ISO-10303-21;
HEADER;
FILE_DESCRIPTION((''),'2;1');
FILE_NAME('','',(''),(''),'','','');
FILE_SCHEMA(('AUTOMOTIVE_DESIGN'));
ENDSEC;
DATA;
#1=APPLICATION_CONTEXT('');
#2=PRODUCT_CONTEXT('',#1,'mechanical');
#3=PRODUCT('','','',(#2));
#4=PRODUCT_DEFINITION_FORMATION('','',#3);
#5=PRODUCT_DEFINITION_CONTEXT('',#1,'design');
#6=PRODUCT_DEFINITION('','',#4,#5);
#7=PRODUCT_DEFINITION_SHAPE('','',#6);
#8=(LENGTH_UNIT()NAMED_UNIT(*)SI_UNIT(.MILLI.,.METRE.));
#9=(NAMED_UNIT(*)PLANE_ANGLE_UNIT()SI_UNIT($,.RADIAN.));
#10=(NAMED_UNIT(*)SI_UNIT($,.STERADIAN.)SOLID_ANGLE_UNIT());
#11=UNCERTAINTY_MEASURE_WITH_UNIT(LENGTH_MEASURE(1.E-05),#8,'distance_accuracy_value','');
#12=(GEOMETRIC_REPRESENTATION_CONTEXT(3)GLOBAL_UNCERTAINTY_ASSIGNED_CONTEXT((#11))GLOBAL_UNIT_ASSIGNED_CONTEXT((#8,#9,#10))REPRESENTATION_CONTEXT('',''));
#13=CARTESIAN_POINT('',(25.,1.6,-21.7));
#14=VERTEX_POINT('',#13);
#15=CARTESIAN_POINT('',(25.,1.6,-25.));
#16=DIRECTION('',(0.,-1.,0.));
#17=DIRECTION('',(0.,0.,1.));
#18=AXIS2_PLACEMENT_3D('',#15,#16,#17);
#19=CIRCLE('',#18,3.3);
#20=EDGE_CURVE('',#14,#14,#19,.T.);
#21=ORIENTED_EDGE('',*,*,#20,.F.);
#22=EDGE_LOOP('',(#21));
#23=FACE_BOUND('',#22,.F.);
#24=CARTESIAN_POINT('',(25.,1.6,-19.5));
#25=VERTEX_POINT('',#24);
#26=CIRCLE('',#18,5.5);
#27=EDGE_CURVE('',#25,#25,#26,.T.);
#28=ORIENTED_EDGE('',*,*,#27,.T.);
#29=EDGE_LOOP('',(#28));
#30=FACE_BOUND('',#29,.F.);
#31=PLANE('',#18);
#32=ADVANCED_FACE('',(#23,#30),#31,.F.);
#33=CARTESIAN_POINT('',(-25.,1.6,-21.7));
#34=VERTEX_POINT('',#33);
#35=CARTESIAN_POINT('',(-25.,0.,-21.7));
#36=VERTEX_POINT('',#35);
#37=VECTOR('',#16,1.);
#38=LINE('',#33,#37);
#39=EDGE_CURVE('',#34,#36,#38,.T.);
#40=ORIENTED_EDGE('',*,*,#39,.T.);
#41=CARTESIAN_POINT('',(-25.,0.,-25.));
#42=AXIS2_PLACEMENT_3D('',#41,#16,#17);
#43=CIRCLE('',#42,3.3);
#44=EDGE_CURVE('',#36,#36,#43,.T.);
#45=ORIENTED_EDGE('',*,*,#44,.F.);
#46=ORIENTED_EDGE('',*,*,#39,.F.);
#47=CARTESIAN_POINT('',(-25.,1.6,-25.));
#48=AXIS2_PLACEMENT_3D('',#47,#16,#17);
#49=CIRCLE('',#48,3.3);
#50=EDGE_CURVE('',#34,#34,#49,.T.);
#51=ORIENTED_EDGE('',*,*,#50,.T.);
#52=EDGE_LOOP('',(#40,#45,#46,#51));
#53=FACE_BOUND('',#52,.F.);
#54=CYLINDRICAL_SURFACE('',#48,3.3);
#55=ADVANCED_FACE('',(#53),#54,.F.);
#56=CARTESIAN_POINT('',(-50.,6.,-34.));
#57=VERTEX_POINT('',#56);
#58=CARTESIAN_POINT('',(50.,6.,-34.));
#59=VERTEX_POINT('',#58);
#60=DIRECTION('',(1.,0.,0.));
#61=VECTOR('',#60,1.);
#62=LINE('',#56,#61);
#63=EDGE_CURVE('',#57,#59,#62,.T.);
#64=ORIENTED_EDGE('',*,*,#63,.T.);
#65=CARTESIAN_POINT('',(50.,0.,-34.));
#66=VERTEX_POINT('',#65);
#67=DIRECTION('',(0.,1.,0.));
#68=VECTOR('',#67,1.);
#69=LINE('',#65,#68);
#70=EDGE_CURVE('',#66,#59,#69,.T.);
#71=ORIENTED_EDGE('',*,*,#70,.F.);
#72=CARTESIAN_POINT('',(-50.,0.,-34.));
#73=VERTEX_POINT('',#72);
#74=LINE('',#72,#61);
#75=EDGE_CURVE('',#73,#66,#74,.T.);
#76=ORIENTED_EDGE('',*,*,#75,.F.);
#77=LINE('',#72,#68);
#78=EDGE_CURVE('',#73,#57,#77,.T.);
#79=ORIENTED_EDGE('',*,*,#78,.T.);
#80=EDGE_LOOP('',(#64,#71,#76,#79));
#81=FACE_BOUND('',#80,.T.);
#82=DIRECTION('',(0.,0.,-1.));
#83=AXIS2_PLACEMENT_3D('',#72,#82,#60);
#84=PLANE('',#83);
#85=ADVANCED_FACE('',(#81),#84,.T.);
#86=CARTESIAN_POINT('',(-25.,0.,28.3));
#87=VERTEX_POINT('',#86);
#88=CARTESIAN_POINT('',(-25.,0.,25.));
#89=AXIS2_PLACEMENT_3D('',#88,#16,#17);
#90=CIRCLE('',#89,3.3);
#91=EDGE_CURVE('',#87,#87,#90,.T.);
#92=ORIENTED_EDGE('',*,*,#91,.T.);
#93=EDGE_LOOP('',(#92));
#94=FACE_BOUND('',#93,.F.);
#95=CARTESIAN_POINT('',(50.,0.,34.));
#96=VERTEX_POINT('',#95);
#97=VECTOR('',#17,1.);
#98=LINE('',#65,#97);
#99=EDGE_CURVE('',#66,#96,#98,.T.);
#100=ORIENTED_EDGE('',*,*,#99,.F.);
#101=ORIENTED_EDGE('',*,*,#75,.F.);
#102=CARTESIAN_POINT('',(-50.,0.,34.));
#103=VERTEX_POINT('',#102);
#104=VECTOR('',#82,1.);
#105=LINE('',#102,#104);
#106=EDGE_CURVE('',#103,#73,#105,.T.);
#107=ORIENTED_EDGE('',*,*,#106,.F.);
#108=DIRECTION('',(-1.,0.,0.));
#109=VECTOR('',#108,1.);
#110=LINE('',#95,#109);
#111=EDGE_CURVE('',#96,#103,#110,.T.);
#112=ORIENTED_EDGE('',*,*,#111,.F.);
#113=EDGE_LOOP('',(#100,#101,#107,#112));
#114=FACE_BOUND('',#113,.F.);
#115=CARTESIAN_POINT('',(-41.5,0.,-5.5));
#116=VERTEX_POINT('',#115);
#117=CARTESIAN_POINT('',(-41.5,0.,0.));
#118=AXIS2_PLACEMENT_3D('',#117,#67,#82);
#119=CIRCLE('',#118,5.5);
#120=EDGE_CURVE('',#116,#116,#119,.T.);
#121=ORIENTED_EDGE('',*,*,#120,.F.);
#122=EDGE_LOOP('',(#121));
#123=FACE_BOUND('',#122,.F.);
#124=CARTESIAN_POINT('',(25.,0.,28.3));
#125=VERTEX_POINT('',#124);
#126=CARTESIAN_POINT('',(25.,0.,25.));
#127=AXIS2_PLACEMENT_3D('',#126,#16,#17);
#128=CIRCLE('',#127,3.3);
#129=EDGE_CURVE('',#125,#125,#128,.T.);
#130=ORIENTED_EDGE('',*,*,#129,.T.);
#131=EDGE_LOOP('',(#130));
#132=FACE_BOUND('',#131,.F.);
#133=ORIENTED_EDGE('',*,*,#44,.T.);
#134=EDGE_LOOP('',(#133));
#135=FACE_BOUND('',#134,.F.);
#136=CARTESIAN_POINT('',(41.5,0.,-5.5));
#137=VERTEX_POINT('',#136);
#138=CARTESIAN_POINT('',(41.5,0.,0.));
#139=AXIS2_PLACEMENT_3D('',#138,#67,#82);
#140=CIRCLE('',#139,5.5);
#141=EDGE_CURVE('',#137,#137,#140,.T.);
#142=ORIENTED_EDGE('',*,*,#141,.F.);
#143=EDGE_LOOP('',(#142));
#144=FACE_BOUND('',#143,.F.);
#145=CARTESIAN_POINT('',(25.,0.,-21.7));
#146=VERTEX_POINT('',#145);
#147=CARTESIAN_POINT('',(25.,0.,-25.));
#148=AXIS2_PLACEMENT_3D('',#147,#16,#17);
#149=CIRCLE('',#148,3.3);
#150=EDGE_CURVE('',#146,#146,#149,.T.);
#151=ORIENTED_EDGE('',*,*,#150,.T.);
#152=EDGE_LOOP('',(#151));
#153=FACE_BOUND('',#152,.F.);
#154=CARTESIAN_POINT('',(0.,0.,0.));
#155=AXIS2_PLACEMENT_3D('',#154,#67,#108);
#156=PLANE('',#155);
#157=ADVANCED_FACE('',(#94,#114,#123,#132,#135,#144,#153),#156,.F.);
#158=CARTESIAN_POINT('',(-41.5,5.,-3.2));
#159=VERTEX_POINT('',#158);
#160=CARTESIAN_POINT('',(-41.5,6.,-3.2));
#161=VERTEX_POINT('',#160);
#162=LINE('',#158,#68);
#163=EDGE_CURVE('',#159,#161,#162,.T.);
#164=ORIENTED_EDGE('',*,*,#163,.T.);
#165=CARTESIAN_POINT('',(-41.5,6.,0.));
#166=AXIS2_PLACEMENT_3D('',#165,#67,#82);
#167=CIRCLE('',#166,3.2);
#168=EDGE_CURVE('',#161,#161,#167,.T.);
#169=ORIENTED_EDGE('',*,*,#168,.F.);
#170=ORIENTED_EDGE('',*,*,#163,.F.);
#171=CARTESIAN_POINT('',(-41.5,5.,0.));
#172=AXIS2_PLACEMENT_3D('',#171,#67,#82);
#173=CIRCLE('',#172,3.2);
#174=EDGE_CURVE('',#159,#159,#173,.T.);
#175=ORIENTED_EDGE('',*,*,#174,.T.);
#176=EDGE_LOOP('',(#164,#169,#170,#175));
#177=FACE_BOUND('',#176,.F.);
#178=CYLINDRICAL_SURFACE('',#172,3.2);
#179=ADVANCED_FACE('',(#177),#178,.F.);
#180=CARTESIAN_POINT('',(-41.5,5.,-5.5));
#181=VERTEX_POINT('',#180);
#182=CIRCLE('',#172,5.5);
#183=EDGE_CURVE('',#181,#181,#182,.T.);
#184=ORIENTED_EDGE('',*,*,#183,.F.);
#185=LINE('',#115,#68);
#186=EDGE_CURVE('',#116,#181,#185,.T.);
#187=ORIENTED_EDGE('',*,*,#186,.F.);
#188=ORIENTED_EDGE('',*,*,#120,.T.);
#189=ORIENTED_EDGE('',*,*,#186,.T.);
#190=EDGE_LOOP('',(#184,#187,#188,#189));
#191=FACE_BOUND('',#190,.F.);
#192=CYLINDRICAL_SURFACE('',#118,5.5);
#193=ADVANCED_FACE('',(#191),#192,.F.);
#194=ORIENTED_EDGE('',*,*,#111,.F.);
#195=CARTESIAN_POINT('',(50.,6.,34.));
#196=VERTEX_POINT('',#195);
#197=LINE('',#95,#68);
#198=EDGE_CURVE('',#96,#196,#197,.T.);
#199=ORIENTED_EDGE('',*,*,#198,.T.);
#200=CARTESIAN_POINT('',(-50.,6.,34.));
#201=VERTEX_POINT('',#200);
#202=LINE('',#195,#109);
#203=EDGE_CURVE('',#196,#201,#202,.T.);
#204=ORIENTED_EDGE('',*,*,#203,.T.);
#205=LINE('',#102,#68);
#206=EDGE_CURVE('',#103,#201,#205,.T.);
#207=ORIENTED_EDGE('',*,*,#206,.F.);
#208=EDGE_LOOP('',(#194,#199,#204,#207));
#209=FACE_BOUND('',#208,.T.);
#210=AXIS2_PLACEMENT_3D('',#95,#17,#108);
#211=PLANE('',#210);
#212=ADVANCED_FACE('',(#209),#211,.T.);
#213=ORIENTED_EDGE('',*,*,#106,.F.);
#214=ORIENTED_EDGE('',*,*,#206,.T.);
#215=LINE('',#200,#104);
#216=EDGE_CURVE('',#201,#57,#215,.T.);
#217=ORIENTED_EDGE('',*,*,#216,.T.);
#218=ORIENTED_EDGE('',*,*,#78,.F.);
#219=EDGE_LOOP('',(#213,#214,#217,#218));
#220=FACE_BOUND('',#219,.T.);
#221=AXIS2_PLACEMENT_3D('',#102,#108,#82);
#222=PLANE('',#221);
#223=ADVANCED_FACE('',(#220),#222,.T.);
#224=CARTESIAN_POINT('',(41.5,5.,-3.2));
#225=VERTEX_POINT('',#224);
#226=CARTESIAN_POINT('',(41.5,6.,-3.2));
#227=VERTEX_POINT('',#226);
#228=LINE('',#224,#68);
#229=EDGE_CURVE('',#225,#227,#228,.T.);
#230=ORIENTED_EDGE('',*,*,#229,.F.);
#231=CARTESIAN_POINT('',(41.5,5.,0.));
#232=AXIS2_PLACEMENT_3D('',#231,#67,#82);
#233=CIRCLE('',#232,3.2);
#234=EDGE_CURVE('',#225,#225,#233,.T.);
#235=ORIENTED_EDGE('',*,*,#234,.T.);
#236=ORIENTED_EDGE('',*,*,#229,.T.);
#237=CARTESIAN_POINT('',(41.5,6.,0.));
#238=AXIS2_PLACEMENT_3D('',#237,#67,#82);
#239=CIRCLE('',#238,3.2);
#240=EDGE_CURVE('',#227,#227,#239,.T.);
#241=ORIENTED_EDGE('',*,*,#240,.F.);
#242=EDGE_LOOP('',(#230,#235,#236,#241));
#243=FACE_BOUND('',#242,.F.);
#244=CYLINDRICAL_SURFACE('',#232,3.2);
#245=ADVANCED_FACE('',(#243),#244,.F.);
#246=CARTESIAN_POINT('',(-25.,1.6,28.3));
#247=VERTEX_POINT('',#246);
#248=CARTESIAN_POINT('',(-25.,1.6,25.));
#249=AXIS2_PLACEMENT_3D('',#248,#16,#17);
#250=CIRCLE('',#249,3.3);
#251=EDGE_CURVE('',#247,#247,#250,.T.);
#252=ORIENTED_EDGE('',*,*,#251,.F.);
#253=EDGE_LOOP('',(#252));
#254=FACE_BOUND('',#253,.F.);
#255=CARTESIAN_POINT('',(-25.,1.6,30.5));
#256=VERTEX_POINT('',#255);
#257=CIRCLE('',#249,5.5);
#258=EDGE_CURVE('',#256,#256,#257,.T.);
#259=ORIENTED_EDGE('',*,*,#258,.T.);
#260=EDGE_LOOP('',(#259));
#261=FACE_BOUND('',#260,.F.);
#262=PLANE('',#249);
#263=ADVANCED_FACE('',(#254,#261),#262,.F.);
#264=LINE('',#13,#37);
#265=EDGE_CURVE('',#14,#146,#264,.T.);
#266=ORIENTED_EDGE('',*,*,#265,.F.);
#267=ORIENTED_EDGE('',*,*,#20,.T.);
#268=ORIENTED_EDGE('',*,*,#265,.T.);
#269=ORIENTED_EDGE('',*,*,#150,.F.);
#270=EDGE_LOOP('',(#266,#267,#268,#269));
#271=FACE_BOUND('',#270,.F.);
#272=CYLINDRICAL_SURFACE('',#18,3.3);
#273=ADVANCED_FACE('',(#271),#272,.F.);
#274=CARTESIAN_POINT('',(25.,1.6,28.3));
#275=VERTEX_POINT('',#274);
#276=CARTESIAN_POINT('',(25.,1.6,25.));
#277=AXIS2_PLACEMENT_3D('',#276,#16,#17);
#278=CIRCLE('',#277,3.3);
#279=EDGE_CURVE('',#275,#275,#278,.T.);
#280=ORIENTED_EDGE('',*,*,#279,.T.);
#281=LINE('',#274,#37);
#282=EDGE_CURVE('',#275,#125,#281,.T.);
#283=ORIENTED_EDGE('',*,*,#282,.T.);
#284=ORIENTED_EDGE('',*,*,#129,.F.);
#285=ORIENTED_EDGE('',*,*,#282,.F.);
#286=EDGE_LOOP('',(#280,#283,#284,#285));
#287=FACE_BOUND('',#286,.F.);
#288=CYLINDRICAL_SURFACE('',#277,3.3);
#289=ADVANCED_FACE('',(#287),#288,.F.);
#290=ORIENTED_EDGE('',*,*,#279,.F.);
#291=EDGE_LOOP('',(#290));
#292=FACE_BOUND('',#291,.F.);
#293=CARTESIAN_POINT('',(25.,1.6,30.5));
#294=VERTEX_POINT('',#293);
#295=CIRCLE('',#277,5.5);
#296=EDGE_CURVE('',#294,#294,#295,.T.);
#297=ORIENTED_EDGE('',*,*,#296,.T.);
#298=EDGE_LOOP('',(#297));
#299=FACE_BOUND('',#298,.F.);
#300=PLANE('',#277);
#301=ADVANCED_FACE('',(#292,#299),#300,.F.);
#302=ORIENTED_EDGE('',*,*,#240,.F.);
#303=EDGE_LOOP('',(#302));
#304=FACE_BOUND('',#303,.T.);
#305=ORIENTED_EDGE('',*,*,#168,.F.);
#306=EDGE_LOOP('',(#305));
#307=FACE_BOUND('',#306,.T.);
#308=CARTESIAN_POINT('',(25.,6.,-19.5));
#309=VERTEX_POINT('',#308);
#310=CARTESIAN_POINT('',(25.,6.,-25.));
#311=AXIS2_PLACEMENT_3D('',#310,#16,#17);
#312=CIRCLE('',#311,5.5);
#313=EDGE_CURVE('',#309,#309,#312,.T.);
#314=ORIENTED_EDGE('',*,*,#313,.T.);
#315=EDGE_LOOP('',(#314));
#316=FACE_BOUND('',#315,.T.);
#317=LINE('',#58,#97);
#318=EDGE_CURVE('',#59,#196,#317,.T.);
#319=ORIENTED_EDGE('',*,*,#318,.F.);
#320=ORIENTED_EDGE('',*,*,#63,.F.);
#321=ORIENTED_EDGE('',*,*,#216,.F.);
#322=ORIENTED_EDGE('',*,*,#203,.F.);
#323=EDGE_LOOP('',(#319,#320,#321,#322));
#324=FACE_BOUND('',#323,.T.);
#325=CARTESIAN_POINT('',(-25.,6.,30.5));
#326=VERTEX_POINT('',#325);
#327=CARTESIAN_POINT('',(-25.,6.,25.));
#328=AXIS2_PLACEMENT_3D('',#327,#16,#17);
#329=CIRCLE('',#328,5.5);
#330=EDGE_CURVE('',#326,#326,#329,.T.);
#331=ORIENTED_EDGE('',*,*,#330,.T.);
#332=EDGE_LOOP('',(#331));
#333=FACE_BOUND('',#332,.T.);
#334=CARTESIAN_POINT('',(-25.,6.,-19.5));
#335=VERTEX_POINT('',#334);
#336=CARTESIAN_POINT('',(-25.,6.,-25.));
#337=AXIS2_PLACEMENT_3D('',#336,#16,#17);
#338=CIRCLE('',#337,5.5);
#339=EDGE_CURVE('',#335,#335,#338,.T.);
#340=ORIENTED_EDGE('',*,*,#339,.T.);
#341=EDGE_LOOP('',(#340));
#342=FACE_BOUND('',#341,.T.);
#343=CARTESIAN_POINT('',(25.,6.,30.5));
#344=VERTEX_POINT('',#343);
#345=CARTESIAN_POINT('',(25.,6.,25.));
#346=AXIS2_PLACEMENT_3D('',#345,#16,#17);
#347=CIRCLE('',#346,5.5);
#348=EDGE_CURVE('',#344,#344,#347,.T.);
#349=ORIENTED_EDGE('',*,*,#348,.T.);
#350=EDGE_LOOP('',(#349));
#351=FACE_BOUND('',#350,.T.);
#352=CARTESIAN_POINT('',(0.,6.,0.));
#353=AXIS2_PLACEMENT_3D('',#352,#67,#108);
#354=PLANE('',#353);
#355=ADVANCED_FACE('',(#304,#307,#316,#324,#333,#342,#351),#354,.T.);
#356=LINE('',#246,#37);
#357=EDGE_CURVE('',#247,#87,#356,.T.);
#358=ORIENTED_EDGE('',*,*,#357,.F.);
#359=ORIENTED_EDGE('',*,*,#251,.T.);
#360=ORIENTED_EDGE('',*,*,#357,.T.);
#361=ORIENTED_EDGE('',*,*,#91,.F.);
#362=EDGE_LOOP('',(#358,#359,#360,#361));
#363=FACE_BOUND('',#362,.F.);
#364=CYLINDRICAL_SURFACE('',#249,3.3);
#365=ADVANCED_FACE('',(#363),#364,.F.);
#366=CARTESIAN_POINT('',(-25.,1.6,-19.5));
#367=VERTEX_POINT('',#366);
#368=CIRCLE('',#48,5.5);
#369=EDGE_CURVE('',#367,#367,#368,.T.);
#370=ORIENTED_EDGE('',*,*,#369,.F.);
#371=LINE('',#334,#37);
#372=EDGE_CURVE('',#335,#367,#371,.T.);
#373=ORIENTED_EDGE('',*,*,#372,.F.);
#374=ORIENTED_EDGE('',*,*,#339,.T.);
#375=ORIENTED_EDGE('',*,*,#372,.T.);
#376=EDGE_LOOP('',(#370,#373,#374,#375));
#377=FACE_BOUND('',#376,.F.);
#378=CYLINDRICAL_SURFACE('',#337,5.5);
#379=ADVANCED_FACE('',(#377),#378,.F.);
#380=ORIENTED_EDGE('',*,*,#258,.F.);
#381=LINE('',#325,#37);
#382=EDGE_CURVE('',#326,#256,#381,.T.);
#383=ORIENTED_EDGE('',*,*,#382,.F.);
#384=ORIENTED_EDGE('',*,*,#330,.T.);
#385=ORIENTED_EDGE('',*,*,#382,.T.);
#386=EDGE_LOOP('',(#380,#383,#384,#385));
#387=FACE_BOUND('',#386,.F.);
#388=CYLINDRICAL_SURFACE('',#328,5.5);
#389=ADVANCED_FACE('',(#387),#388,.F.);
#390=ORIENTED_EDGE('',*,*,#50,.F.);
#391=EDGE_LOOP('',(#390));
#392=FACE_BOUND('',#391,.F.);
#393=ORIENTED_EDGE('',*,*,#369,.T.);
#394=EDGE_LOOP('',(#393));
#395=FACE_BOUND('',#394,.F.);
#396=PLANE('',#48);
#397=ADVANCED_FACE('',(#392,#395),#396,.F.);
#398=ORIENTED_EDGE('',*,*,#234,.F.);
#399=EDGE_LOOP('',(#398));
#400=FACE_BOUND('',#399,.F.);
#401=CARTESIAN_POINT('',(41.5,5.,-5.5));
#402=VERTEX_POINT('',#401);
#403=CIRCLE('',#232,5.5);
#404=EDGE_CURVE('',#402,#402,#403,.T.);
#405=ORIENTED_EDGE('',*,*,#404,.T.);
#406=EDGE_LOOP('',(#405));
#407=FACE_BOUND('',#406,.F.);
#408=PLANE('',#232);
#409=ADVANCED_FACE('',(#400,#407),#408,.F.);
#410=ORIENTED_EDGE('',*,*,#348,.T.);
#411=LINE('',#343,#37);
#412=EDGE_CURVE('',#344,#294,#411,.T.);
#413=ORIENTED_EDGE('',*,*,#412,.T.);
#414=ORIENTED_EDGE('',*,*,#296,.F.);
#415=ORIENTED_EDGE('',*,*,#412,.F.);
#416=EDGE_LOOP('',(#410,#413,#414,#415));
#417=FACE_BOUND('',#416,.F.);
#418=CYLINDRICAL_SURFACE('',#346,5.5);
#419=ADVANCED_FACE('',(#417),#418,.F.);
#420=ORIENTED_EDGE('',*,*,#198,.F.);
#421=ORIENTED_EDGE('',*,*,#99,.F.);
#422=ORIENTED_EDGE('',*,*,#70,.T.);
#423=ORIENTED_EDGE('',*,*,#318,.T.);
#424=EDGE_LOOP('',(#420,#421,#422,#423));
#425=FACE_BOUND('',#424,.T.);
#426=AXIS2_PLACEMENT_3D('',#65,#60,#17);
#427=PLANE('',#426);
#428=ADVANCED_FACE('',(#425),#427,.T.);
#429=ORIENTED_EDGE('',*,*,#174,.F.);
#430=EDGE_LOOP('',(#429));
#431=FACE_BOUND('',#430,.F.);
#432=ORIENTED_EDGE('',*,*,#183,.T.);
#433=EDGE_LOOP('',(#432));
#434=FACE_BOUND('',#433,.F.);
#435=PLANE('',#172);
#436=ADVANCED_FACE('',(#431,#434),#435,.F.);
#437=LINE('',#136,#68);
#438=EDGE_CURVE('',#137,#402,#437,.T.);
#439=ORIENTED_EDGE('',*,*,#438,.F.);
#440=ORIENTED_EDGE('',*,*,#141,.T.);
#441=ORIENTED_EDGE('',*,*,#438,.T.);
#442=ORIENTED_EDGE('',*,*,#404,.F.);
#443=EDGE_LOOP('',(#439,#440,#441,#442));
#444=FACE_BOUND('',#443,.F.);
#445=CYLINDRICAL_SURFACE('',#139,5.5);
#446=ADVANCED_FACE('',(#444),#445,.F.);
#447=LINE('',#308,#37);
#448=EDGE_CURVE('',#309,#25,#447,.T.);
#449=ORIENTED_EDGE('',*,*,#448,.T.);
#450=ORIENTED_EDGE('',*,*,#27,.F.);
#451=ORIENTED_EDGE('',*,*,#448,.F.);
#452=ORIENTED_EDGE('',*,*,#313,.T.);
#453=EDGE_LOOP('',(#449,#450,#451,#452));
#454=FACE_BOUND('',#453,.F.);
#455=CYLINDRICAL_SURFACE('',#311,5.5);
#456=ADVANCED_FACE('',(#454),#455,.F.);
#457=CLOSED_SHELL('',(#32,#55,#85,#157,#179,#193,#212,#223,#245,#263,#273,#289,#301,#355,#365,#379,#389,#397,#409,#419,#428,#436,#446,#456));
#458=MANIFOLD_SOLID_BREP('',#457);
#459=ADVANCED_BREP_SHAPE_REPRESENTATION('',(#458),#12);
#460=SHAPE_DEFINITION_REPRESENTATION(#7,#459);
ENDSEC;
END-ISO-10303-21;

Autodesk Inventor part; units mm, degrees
ref_plane "YZ Plane" through (0, 0, 0) normal (1, 0, 0) x (0, 1, 0)
ref_plane "XZ Plane" through (0, 0, 0) normal (0, 1, 0) x (-1, 0, 0)
ref_plane "XY Plane" through (0, 0, 0) normal (0, 0, 1) x (1, 0, 0)
sketch "Sketch1" plane through (0, 0, 0) normal (0, 1, 0) x (-1, 0, 0)
  line L0 (-50, 34) -> (50, 34)
  line L1 (50, 34) -> (50, -34)
  line L2 (50, -34) -> (-50, -34)
  line L3 (-50, -34) -> (-50, 34)
  line L4 (-50, 34) -> (50, -34) construction
  line L5 (50, 34) -> (-50, -34) construction
  point P0 (0, 0)
  dimension "d0" = 68
  dimension "d1" = 100
extrude "Extrusion1" add sketch "Sketch1" along normal blind 6
sketch "Sketch2" plane through (0, 0, 0) normal (0, 1, 0) x (1, 0, 0)
  line L0 (0, 47.6) -> (0, -47.6) projected
  point P0 (0, 0)
  point P1 (-41.5, 0)
  point P2 (41.5, 0)
  dimension "d4" = 83
sketch "Sketch3" plane through (0, 6, 0) normal (0, 1, 0) x (1, 0, 0)
  line L0 (25, 25) -> (-25, 25) construction
  line L1 (-25, 25) -> (-25, -25) construction
  line L2 (-25, -25) -> (25, -25) construction
  line L3 (25, -25) -> (25, 25) construction
  line L4 (25, 25) -> (-25, -25) construction
  line L5 (-25, 25) -> (25, -25) construction
  point P0 (0, 0)
  dimension "d12" = 50
  dimension "d13" = 50
hole "Hole2" at (-25, 6, 25) at (-25, 6, -25) at (25, 6, -25) at (25, 6, 25) direction (0, -1, 0) diameter 6.6 end through all counterbore diameter 11 counterbore depth 4.4 clearance for "Socket Head Cap Screw ISO 4762" size "M6" standard "ISO"
hole "Hole3" at (-41.5, 0, 0) at (41.5, 0, 0) direction (0, 1, 0) diameter 6.4 end through all counterbore diameter 11 counterbore depth 5 clearance for "Socket Head Cap Screw ISO 4762" size "M6" standard "ISO"
properties part number "KN-00-01-02" material "X5CrNi18-10"
